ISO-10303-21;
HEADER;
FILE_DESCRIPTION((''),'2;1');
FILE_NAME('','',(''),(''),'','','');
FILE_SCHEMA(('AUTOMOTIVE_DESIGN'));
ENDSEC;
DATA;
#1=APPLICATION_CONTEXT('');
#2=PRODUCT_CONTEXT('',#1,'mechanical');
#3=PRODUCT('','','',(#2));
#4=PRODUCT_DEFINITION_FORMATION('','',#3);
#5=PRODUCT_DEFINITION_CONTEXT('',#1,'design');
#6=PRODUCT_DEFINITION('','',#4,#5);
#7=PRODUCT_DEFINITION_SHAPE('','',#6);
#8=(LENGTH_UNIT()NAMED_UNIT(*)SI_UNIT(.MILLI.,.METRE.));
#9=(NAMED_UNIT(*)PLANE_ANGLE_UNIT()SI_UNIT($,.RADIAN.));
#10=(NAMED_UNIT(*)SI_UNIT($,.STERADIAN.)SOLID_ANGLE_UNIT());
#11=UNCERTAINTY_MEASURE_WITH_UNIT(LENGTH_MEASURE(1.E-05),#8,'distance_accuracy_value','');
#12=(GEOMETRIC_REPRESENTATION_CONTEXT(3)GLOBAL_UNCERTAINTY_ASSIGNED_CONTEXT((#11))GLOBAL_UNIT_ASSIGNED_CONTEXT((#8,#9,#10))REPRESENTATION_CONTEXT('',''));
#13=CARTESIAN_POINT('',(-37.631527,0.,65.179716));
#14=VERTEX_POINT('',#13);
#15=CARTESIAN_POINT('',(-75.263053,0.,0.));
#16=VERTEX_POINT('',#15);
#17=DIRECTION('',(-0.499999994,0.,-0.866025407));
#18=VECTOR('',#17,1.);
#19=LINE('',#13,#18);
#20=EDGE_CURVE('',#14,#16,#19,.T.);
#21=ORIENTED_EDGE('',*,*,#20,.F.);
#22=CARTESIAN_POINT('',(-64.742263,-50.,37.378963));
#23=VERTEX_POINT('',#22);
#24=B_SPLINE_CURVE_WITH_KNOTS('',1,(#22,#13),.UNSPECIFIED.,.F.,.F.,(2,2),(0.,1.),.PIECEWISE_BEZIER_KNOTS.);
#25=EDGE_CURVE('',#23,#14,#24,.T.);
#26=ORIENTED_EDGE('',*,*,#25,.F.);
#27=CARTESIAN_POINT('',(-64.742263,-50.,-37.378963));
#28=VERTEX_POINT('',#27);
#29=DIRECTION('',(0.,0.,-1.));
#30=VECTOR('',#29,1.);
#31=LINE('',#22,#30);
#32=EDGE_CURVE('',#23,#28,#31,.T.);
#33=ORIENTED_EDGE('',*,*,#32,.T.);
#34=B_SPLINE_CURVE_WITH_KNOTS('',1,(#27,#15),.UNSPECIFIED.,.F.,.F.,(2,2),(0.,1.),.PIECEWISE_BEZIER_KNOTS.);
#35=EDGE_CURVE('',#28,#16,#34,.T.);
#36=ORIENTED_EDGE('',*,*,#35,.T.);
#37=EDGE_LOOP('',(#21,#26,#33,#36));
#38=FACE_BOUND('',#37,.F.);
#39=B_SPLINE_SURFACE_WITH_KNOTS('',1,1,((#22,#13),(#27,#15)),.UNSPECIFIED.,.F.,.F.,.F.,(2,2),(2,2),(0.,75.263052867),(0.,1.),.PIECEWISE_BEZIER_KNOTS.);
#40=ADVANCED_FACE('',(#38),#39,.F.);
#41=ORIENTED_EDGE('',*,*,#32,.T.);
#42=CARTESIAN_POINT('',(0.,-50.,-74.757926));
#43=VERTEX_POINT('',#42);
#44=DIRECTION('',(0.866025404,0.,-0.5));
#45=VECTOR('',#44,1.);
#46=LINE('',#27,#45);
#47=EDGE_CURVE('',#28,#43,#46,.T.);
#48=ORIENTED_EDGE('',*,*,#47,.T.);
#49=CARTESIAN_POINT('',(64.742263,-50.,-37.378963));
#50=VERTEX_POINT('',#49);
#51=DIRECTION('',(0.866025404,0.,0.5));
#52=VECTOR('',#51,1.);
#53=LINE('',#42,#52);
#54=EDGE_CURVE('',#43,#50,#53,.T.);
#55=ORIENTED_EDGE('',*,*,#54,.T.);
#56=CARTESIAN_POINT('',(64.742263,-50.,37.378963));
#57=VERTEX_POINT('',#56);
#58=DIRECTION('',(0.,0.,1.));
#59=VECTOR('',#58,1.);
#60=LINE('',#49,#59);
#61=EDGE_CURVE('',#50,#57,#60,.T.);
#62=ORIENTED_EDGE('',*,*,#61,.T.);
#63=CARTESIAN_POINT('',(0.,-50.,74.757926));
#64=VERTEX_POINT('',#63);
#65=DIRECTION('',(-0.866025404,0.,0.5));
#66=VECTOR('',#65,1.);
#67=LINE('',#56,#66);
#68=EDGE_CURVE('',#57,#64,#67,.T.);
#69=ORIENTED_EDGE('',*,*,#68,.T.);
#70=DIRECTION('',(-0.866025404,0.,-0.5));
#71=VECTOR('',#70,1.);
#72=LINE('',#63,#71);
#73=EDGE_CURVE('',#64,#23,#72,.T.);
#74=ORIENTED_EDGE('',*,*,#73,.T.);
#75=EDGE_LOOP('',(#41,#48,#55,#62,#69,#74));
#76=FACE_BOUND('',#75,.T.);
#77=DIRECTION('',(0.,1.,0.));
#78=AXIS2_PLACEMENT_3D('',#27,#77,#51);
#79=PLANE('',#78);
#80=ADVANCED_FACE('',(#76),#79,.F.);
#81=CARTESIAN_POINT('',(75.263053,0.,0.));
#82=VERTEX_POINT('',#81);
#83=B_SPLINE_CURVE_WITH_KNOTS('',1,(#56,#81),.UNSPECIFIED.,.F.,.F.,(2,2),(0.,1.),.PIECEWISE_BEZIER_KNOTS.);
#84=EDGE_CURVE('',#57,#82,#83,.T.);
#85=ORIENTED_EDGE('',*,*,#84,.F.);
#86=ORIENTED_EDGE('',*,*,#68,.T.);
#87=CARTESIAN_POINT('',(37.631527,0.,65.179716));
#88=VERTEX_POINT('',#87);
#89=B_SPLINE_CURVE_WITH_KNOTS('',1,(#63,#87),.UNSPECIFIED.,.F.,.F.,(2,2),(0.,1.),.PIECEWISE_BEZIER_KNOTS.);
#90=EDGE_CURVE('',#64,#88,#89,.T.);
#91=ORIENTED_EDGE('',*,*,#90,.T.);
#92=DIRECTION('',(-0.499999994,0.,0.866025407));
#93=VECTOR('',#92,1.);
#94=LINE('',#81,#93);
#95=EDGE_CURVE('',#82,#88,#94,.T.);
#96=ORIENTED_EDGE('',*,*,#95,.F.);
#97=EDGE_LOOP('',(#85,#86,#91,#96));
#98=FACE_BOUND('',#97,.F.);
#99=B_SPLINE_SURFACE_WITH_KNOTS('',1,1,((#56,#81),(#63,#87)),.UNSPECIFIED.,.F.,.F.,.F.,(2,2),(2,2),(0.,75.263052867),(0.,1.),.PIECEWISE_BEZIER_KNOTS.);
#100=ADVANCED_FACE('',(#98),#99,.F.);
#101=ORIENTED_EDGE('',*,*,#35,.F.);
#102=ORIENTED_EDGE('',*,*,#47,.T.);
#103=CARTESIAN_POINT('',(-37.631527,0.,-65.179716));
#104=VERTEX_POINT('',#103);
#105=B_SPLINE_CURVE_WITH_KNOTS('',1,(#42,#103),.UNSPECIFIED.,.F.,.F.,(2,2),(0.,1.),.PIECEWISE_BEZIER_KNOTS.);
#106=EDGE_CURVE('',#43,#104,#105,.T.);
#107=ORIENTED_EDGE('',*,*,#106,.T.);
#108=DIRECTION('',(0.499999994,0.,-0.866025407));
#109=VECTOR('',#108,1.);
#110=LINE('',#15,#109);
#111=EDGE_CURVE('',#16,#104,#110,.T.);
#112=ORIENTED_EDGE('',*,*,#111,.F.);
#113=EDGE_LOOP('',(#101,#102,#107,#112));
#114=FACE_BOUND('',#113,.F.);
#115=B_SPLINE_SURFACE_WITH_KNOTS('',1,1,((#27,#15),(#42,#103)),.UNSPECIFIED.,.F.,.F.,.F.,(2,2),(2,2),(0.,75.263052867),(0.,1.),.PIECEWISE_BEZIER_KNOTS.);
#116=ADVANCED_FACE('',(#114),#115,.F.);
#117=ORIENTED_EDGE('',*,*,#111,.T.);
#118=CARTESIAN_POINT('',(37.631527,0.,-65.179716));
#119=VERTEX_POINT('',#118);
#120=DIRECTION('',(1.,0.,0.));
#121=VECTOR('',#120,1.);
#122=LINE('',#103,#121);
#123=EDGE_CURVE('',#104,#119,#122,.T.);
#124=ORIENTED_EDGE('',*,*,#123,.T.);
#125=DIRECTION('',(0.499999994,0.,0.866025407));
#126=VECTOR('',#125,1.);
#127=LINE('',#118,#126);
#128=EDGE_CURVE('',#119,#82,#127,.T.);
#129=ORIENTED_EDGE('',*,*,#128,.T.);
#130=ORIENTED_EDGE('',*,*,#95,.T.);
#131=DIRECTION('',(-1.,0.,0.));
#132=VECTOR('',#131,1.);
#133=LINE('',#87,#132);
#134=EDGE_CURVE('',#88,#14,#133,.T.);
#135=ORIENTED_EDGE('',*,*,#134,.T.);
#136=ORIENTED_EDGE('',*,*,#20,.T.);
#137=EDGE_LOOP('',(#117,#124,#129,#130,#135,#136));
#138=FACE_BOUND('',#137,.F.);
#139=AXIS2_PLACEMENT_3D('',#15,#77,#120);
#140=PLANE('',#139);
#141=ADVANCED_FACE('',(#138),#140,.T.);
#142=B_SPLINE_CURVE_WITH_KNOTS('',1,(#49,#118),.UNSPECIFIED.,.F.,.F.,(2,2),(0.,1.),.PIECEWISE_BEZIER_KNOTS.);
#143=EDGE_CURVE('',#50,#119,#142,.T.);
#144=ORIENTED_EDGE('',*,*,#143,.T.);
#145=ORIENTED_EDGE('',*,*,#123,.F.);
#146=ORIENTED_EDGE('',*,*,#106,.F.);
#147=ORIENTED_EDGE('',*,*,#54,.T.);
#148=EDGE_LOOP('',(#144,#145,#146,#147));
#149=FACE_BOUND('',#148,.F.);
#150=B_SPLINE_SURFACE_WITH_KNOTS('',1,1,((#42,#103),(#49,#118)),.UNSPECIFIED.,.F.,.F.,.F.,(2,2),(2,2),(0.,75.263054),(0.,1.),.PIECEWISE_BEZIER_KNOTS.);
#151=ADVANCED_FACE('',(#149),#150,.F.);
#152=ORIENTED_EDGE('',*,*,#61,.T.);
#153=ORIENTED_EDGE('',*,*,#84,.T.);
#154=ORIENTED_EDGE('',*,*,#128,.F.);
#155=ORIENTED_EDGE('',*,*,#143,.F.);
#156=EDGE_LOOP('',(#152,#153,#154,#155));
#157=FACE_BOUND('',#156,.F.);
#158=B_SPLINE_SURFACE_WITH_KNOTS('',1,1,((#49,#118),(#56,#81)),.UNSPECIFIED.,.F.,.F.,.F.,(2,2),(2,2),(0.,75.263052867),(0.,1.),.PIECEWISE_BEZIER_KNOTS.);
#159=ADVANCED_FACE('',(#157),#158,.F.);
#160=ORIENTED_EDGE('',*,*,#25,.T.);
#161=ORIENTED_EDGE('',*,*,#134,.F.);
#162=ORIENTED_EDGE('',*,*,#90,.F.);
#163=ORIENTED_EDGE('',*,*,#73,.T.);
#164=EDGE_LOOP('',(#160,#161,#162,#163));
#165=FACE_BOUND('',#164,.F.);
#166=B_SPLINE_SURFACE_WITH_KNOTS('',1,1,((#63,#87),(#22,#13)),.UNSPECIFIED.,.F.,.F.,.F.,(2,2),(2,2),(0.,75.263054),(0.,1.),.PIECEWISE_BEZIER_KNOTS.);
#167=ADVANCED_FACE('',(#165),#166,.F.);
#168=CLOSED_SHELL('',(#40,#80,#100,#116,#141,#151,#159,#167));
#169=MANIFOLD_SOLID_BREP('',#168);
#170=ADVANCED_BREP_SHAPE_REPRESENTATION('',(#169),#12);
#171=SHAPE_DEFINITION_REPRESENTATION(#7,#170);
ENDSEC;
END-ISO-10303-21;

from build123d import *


with BuildPart() as f3:
    # F2 (on offset) → F3 section 0
    with BuildSketch(Plane.XZ.offset(50)):
        Polygon((-64.742263, -37.378963), (0, -74.757926), (64.742263, -37.378963), (64.742263, 37.378963), (0, 74.757926), (-64.742263, 37.378963), align=None)
    # F0 (on Front) → F3 section 1
    with BuildSketch(Plane.XZ):
        Polygon((37.631527, -65.179716), (75.263053, 0), (37.631527, 65.179716), (-37.631527, 65.179716), (-75.263053, 0), (-37.631527, -65.179716), align=None)
    loft()


solid = f3.part
